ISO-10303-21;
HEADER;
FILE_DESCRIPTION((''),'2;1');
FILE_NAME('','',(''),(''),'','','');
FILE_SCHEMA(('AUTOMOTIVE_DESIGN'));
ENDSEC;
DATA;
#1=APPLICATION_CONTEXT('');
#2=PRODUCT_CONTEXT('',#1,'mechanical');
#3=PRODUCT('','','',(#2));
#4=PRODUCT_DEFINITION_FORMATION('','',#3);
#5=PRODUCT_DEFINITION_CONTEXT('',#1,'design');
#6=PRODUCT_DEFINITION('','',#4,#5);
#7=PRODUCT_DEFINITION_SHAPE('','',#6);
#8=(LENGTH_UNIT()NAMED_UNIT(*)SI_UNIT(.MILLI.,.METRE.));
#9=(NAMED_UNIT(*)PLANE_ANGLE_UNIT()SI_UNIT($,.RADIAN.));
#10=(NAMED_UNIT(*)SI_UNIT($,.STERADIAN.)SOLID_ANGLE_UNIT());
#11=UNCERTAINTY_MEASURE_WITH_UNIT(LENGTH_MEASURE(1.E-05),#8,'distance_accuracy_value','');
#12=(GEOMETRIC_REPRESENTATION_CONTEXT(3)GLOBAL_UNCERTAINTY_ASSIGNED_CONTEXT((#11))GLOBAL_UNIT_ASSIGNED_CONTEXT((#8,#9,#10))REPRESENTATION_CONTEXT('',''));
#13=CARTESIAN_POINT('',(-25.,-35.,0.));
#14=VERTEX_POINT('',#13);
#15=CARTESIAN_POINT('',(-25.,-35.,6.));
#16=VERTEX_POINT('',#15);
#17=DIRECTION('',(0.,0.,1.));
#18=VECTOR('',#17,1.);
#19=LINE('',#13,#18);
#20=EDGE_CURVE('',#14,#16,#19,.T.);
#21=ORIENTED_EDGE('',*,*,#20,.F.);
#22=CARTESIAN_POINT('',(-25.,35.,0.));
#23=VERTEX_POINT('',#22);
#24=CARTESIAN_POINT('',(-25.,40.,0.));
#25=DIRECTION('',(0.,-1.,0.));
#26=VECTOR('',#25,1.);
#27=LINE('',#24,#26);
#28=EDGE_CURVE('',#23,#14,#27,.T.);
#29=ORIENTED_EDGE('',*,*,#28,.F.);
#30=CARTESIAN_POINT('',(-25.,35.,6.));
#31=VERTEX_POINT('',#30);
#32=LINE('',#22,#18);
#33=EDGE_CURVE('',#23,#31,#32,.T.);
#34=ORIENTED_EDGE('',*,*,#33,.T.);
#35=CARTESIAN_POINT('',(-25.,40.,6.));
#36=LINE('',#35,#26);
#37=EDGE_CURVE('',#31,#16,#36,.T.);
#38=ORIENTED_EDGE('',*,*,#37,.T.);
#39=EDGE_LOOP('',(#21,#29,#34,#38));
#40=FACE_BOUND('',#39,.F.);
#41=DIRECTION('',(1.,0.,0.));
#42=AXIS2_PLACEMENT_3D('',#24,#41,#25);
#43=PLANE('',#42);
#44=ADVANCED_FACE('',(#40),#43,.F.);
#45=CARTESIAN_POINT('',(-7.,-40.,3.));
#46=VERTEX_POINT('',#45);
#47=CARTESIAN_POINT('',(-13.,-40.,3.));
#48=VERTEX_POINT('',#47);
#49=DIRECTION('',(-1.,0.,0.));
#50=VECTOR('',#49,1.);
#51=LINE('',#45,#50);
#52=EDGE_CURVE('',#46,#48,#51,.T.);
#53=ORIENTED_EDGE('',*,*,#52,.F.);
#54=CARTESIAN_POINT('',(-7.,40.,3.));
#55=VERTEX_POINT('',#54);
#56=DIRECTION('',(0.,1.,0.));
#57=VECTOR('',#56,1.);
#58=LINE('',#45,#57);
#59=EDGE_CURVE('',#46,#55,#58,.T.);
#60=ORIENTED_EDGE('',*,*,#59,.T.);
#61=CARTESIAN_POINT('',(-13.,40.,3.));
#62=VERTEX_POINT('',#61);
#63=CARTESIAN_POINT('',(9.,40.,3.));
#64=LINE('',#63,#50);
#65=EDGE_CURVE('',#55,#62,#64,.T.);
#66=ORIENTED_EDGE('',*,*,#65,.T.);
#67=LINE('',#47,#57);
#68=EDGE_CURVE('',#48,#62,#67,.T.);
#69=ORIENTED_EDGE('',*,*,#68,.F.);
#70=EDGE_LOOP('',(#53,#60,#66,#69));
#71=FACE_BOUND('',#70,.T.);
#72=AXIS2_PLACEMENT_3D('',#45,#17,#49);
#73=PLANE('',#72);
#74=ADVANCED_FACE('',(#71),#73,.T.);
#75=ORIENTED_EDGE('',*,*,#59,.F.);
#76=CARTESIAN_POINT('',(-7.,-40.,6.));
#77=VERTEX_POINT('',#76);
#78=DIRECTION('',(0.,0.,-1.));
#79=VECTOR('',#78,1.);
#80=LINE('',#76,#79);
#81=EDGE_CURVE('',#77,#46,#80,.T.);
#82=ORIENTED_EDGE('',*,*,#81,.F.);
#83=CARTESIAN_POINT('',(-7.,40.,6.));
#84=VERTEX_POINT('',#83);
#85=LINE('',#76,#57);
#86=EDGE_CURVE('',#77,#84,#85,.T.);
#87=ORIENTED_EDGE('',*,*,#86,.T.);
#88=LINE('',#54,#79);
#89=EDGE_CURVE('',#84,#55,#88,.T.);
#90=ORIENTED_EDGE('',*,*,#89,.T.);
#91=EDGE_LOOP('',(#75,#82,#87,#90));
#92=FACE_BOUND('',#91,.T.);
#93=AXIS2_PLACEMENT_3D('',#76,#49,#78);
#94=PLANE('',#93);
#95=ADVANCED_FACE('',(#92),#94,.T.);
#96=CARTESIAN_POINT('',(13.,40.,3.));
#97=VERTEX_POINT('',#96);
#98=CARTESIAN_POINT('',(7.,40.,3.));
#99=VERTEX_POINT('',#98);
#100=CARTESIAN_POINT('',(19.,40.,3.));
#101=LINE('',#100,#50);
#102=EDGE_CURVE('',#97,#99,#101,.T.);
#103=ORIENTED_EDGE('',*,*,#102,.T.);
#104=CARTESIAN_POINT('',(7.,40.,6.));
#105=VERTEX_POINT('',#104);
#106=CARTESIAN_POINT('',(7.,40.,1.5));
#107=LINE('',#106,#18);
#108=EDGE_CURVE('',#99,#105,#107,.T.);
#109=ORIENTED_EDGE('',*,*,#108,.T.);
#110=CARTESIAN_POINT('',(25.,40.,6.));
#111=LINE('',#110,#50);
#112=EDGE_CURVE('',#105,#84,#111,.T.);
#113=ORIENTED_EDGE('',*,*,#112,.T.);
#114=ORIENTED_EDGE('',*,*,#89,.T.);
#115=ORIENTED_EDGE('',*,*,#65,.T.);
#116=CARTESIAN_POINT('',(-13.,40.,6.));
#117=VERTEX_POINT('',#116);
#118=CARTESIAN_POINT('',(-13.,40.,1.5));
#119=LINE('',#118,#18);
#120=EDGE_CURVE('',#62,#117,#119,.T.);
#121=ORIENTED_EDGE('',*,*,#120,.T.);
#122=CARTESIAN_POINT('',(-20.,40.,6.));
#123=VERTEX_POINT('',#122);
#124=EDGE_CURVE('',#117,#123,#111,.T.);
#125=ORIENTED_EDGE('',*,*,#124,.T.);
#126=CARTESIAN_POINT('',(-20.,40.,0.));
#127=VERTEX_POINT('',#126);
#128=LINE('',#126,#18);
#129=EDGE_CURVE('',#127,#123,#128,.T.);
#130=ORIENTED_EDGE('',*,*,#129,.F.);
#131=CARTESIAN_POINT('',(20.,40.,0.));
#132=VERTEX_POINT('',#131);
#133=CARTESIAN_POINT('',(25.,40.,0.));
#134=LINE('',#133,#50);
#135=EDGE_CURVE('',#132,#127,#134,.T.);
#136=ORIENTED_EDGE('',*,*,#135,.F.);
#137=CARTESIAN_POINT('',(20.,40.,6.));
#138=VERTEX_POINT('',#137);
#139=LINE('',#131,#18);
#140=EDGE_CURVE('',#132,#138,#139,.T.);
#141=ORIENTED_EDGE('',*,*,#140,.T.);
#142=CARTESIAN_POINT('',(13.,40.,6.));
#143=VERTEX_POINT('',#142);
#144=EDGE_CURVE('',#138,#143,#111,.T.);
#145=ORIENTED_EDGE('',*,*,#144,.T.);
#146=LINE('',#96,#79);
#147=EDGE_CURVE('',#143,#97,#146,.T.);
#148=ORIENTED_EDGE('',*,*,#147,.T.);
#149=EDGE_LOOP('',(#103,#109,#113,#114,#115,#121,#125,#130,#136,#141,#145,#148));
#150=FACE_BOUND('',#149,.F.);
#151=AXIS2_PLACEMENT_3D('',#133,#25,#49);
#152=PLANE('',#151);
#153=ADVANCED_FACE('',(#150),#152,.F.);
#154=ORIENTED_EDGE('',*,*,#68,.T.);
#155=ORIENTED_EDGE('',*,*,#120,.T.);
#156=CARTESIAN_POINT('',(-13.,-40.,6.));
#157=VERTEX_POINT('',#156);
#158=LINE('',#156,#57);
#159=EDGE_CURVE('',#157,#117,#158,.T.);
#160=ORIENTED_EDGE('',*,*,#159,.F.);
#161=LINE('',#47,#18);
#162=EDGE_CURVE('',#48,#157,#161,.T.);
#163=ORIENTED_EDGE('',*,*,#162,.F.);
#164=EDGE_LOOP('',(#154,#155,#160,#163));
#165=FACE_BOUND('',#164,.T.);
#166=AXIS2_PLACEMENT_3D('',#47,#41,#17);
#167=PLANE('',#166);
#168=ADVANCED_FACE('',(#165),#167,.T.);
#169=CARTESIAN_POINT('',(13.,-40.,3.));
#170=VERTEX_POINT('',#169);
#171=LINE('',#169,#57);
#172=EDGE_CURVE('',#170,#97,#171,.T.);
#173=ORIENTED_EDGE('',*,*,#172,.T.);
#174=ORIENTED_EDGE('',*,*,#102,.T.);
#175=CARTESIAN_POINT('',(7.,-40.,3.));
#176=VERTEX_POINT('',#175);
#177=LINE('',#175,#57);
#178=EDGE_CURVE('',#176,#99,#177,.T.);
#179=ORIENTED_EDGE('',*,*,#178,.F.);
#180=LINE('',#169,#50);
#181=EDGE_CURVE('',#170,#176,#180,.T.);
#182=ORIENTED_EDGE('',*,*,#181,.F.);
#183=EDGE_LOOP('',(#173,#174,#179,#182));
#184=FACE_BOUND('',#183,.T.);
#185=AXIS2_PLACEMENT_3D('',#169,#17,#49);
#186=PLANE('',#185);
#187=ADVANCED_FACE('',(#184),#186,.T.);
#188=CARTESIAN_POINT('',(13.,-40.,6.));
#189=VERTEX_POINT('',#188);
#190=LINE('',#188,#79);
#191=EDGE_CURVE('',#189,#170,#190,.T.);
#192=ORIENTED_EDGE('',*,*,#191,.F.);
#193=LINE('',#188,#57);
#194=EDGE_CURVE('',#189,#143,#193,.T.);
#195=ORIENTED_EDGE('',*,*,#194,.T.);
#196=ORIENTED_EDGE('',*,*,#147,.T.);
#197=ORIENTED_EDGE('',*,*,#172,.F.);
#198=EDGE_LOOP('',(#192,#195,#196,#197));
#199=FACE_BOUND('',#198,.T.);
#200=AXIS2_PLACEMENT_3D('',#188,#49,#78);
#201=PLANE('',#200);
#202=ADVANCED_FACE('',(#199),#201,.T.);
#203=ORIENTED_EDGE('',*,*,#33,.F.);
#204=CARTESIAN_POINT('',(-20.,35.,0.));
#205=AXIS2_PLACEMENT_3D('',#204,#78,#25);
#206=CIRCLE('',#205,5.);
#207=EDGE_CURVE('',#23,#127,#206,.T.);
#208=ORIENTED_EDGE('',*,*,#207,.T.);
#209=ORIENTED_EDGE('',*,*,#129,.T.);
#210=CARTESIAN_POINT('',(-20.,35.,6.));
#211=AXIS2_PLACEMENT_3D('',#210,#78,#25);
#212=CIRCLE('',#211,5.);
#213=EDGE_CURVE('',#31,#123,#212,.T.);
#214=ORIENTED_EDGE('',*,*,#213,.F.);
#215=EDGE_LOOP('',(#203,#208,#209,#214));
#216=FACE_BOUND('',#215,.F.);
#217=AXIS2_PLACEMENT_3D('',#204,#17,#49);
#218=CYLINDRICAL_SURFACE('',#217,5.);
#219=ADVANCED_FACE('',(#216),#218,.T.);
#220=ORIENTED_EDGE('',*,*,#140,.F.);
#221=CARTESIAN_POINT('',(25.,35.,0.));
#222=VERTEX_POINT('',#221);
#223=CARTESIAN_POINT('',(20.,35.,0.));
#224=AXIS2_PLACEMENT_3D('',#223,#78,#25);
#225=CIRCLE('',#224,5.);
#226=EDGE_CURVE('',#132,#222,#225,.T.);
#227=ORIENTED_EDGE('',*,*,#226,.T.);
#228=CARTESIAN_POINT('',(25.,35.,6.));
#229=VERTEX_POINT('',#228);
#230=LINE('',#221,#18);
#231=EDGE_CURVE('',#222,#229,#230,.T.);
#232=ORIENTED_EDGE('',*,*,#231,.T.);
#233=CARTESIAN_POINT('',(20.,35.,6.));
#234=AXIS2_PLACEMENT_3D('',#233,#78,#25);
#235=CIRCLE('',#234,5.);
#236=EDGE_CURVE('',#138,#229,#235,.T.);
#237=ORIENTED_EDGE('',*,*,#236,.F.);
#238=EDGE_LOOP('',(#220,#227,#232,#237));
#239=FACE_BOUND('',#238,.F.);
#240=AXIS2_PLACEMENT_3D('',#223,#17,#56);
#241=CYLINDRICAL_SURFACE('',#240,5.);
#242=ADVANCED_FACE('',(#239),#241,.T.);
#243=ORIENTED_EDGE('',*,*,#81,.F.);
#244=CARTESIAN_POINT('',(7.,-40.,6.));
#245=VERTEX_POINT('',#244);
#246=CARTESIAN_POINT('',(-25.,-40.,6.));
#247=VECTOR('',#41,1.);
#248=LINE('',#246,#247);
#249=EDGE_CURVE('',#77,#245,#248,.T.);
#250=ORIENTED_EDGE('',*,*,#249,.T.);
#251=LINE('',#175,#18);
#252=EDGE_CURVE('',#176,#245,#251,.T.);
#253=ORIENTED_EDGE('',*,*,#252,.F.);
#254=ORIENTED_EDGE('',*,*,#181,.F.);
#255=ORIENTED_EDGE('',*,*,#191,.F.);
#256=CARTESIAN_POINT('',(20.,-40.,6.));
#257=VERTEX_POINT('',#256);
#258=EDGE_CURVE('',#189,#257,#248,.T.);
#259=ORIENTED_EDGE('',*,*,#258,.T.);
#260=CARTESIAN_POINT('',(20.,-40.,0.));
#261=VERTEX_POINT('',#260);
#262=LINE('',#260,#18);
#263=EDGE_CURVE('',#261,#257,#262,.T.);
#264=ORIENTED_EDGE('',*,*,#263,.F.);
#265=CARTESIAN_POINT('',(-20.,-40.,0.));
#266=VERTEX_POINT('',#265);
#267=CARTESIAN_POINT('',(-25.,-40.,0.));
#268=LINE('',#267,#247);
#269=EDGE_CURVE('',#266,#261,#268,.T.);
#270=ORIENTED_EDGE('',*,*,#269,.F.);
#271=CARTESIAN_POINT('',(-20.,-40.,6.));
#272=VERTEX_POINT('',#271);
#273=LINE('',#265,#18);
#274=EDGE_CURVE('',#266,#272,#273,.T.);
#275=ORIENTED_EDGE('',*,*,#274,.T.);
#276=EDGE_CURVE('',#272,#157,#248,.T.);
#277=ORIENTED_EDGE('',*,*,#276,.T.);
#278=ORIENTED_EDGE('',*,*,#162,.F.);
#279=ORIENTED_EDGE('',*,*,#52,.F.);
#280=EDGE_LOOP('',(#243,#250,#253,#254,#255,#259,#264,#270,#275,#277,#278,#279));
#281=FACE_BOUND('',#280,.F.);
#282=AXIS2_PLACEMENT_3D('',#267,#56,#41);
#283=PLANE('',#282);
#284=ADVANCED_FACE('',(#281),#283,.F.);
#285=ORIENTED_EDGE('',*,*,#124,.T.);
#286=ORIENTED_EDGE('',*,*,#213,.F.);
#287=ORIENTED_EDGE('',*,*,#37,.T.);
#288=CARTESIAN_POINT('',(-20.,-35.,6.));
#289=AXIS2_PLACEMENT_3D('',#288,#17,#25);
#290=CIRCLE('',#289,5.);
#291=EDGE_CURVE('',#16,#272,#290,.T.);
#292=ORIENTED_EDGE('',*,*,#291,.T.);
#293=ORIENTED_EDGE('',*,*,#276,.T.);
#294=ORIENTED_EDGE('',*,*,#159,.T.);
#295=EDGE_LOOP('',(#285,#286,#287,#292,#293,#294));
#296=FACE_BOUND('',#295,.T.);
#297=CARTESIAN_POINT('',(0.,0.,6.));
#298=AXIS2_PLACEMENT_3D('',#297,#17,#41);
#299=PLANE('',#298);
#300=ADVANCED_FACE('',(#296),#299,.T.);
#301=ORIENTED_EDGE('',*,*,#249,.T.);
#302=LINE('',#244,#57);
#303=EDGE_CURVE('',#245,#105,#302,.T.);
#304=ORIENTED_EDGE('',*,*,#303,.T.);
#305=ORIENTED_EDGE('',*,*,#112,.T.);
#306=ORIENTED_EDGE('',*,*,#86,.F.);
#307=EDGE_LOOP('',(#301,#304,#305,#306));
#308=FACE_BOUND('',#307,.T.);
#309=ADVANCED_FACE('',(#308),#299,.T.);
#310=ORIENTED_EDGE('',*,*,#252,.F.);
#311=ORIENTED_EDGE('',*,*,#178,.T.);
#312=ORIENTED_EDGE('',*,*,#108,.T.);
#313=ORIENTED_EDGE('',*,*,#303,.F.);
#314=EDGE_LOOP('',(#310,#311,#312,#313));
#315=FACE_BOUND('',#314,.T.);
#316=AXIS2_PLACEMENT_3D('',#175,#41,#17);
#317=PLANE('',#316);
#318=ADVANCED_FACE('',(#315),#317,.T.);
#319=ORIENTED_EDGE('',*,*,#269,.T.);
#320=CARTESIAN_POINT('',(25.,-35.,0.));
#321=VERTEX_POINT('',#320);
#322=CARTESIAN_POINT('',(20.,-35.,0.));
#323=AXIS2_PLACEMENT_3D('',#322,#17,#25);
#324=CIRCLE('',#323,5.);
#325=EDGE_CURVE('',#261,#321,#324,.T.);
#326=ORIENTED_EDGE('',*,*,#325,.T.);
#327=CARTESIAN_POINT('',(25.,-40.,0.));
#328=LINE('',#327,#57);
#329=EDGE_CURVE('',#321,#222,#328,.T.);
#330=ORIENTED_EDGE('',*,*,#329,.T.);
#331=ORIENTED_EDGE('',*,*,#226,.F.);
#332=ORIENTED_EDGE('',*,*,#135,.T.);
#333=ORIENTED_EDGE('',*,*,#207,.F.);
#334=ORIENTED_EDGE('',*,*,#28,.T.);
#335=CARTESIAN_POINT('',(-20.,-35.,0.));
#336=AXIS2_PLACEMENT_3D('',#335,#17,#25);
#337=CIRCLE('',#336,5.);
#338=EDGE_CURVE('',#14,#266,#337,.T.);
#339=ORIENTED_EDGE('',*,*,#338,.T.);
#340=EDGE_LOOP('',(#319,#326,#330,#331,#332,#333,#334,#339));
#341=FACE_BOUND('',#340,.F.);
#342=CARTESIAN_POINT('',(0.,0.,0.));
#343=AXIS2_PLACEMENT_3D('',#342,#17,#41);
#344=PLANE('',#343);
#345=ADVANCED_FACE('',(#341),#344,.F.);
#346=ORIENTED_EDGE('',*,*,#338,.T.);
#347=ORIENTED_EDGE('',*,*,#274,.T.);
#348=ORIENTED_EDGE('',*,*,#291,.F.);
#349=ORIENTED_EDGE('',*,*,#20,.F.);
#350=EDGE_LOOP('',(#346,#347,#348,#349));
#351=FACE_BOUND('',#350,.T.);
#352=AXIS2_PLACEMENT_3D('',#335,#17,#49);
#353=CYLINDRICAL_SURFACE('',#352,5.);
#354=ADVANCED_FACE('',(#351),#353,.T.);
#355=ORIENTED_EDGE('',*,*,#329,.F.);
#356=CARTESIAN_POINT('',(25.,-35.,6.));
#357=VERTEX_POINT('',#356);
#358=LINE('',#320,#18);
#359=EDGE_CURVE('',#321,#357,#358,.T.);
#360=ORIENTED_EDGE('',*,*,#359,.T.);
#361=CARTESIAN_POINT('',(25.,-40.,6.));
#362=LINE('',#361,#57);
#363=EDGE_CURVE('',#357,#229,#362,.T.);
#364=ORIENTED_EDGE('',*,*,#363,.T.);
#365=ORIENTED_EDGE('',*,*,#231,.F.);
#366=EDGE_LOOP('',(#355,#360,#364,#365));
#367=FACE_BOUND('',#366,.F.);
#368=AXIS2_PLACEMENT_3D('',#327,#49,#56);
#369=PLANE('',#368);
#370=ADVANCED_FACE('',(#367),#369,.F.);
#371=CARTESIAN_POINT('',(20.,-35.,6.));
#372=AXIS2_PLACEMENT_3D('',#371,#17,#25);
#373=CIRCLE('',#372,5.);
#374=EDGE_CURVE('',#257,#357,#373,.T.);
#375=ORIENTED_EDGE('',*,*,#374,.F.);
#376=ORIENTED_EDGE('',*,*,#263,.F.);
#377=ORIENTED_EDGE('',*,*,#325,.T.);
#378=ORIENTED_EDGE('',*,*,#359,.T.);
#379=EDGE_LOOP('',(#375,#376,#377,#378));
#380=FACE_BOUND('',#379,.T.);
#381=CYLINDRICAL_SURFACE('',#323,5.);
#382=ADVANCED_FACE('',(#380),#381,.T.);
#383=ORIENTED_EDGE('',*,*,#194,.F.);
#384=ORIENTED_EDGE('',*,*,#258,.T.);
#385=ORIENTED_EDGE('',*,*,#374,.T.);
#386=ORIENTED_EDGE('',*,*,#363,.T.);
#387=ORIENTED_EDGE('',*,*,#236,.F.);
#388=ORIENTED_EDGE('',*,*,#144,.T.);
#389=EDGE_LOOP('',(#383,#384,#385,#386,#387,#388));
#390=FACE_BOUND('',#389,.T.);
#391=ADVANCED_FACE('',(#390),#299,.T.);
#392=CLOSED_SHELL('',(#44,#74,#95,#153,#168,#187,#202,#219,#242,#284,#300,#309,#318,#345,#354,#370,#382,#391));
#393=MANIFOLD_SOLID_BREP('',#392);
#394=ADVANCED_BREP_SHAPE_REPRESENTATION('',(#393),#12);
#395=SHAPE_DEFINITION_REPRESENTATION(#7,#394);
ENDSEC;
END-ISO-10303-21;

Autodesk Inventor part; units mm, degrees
ref_plane "YZ Plane" through (0, 0, 0) normal (1, 0, 0) x (0, 1, 0)
ref_plane "XZ Plane" through (0, 0, 0) normal (0, 1, 0) x (-1, 0, 0)
ref_plane "XY Plane" through (0, 0, 0) normal (0, 0, 1) x (1, 0, 0)
sketch "Sketch1" plane through (0, 0, 0) normal (0, 0, 1) x (1, 0, 0)
  line L0 (-25, -40) -> (25, -40)
  line L1 (25, -40) -> (25, 40)
  line L2 (25, 40) -> (-25, 40)
  line L3 (-25, 40) -> (-25, -40)
  line L4 (-25, -40) -> (25, 40) construction
  line L5 (25, -40) -> (-25, 40) construction
  point P0 (0, 0)
  dimension "d0" = 50
  dimension "d1" = 80
extrude "Extrusion1" add sketch "Sketch1" along normal blind 6
sketch "Sketch2" plane through (-25, -40, 0) normal (0, -1, 0) x (1, 0, 0)
  line L0 (0, 6) -> (50, 6) projected
  line L1 (12, 6) -> (18, 6)
  line L2 (18, 6) -> (18, 3)
  line L3 (18, 3) -> (12, 3)
  line L4 (12, 3) -> (12, 6)
  line L5 (32, 6) -> (38, 6)
  line L6 (38, 6) -> (38, 3)
  line L7 (38, 3) -> (32, 3)
  line L8 (32, 3) -> (32, 6)
  line L9 (25, -1.2) -> (25, 7.2) construction
  line L10 (0, 0) -> (50, 0) construction
  line L11 (50, 0) -> (50, 6) construction
  line L12 (0, 6) -> (50, 6) construction
  line L13 (0, 0) -> (0, 6) construction
  point P0 (25, 0)
  point P1 (32, 4.5)
  point P2 (18, 4.5)
  dimension "d4" = 14
  dimension "d5" = 6
  dimension "d7" = 3
extrude "Extrusion2" cut sketch "Sketch2" against normal through all
fillet "Fillet1" radius 5 4 edges at (-25, 40, 3) (-25, -40, 3) (25, -40, 3) (25, 40, 3)
properties part number "Plate" material "Steel"
